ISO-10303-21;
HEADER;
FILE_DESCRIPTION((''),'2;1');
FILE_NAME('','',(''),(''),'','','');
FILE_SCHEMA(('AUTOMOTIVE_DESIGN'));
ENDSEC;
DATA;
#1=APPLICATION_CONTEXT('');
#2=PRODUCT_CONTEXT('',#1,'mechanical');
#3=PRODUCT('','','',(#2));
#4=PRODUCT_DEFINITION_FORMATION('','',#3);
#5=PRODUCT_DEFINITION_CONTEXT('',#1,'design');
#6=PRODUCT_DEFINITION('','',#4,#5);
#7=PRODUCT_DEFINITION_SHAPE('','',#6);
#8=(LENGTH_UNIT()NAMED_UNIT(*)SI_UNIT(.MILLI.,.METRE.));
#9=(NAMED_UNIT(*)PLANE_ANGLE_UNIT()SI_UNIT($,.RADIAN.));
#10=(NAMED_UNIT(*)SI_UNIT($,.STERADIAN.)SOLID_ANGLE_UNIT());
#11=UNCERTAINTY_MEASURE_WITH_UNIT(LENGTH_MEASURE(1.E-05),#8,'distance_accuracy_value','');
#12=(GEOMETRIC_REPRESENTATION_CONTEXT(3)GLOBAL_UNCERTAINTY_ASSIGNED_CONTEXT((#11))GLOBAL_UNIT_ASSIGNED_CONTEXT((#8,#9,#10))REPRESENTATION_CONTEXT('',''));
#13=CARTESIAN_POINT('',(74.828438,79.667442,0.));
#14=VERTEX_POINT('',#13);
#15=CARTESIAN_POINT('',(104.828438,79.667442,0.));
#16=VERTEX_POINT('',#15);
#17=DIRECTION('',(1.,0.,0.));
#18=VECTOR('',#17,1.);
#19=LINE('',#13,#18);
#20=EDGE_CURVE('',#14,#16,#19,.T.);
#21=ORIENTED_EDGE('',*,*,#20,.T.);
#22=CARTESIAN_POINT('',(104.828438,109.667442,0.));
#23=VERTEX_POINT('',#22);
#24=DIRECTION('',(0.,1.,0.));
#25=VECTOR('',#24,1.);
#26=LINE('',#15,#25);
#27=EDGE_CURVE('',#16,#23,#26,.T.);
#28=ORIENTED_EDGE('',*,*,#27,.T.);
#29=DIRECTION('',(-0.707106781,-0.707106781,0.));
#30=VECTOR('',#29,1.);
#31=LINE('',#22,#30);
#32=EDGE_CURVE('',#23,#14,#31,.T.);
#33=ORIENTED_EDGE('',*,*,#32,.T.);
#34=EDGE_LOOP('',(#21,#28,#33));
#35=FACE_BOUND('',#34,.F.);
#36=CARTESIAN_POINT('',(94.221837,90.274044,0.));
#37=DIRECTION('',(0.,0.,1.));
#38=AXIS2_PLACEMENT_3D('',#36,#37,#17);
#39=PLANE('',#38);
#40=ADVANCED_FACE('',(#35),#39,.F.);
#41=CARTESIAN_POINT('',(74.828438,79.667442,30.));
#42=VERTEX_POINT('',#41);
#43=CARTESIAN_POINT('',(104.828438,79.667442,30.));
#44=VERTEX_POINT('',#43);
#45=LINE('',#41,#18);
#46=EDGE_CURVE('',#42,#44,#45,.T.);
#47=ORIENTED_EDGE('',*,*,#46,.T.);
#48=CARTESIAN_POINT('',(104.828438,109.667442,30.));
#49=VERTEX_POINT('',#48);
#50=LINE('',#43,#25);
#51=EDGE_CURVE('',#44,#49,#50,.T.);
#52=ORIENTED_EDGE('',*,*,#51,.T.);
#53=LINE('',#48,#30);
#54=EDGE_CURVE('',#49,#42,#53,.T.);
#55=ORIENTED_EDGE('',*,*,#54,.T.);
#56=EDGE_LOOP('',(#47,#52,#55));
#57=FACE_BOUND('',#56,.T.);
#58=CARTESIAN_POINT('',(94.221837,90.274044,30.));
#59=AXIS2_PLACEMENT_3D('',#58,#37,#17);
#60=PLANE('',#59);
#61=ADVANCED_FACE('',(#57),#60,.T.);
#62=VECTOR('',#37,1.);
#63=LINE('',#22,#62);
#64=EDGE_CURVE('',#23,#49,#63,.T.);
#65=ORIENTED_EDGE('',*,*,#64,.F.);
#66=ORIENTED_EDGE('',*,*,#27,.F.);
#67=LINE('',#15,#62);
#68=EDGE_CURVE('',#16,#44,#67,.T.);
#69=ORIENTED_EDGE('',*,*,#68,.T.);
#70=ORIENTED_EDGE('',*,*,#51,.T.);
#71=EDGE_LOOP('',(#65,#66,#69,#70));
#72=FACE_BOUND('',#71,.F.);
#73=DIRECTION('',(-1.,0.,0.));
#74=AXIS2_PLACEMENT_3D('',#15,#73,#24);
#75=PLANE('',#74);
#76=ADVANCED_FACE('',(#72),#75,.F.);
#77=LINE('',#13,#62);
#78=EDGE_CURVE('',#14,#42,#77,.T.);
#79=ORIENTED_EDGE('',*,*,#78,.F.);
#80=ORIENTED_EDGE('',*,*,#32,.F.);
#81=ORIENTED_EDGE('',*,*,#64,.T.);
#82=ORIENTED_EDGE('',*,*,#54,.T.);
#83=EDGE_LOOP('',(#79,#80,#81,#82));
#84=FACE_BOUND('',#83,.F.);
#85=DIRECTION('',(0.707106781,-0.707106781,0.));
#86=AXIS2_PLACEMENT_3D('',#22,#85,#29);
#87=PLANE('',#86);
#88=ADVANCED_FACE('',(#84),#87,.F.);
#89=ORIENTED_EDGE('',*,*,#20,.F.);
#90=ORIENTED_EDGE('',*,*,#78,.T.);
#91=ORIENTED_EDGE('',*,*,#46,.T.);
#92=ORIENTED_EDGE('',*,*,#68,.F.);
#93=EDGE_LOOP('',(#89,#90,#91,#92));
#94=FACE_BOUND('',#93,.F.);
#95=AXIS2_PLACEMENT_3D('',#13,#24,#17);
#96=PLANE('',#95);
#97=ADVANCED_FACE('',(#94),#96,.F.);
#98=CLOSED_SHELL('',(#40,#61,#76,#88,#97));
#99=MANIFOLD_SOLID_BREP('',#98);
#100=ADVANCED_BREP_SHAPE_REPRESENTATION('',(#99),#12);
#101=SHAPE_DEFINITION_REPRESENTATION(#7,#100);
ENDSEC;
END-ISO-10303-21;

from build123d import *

# Parameters (mm, degrees)
EXTRUDE_1_DEPTH = 30


with BuildPart() as part:
    # 草图1 → 凸台-拉伸1 (new body)
    with BuildSketch(Plane.XY):
        Polygon((104.828438227, 79.667442144), (104.828438227, 109.667442144), (74.828438227, 79.667442144), align=None)
    extrude(amount=EXTRUDE_1_DEPTH)


solid = part.part
